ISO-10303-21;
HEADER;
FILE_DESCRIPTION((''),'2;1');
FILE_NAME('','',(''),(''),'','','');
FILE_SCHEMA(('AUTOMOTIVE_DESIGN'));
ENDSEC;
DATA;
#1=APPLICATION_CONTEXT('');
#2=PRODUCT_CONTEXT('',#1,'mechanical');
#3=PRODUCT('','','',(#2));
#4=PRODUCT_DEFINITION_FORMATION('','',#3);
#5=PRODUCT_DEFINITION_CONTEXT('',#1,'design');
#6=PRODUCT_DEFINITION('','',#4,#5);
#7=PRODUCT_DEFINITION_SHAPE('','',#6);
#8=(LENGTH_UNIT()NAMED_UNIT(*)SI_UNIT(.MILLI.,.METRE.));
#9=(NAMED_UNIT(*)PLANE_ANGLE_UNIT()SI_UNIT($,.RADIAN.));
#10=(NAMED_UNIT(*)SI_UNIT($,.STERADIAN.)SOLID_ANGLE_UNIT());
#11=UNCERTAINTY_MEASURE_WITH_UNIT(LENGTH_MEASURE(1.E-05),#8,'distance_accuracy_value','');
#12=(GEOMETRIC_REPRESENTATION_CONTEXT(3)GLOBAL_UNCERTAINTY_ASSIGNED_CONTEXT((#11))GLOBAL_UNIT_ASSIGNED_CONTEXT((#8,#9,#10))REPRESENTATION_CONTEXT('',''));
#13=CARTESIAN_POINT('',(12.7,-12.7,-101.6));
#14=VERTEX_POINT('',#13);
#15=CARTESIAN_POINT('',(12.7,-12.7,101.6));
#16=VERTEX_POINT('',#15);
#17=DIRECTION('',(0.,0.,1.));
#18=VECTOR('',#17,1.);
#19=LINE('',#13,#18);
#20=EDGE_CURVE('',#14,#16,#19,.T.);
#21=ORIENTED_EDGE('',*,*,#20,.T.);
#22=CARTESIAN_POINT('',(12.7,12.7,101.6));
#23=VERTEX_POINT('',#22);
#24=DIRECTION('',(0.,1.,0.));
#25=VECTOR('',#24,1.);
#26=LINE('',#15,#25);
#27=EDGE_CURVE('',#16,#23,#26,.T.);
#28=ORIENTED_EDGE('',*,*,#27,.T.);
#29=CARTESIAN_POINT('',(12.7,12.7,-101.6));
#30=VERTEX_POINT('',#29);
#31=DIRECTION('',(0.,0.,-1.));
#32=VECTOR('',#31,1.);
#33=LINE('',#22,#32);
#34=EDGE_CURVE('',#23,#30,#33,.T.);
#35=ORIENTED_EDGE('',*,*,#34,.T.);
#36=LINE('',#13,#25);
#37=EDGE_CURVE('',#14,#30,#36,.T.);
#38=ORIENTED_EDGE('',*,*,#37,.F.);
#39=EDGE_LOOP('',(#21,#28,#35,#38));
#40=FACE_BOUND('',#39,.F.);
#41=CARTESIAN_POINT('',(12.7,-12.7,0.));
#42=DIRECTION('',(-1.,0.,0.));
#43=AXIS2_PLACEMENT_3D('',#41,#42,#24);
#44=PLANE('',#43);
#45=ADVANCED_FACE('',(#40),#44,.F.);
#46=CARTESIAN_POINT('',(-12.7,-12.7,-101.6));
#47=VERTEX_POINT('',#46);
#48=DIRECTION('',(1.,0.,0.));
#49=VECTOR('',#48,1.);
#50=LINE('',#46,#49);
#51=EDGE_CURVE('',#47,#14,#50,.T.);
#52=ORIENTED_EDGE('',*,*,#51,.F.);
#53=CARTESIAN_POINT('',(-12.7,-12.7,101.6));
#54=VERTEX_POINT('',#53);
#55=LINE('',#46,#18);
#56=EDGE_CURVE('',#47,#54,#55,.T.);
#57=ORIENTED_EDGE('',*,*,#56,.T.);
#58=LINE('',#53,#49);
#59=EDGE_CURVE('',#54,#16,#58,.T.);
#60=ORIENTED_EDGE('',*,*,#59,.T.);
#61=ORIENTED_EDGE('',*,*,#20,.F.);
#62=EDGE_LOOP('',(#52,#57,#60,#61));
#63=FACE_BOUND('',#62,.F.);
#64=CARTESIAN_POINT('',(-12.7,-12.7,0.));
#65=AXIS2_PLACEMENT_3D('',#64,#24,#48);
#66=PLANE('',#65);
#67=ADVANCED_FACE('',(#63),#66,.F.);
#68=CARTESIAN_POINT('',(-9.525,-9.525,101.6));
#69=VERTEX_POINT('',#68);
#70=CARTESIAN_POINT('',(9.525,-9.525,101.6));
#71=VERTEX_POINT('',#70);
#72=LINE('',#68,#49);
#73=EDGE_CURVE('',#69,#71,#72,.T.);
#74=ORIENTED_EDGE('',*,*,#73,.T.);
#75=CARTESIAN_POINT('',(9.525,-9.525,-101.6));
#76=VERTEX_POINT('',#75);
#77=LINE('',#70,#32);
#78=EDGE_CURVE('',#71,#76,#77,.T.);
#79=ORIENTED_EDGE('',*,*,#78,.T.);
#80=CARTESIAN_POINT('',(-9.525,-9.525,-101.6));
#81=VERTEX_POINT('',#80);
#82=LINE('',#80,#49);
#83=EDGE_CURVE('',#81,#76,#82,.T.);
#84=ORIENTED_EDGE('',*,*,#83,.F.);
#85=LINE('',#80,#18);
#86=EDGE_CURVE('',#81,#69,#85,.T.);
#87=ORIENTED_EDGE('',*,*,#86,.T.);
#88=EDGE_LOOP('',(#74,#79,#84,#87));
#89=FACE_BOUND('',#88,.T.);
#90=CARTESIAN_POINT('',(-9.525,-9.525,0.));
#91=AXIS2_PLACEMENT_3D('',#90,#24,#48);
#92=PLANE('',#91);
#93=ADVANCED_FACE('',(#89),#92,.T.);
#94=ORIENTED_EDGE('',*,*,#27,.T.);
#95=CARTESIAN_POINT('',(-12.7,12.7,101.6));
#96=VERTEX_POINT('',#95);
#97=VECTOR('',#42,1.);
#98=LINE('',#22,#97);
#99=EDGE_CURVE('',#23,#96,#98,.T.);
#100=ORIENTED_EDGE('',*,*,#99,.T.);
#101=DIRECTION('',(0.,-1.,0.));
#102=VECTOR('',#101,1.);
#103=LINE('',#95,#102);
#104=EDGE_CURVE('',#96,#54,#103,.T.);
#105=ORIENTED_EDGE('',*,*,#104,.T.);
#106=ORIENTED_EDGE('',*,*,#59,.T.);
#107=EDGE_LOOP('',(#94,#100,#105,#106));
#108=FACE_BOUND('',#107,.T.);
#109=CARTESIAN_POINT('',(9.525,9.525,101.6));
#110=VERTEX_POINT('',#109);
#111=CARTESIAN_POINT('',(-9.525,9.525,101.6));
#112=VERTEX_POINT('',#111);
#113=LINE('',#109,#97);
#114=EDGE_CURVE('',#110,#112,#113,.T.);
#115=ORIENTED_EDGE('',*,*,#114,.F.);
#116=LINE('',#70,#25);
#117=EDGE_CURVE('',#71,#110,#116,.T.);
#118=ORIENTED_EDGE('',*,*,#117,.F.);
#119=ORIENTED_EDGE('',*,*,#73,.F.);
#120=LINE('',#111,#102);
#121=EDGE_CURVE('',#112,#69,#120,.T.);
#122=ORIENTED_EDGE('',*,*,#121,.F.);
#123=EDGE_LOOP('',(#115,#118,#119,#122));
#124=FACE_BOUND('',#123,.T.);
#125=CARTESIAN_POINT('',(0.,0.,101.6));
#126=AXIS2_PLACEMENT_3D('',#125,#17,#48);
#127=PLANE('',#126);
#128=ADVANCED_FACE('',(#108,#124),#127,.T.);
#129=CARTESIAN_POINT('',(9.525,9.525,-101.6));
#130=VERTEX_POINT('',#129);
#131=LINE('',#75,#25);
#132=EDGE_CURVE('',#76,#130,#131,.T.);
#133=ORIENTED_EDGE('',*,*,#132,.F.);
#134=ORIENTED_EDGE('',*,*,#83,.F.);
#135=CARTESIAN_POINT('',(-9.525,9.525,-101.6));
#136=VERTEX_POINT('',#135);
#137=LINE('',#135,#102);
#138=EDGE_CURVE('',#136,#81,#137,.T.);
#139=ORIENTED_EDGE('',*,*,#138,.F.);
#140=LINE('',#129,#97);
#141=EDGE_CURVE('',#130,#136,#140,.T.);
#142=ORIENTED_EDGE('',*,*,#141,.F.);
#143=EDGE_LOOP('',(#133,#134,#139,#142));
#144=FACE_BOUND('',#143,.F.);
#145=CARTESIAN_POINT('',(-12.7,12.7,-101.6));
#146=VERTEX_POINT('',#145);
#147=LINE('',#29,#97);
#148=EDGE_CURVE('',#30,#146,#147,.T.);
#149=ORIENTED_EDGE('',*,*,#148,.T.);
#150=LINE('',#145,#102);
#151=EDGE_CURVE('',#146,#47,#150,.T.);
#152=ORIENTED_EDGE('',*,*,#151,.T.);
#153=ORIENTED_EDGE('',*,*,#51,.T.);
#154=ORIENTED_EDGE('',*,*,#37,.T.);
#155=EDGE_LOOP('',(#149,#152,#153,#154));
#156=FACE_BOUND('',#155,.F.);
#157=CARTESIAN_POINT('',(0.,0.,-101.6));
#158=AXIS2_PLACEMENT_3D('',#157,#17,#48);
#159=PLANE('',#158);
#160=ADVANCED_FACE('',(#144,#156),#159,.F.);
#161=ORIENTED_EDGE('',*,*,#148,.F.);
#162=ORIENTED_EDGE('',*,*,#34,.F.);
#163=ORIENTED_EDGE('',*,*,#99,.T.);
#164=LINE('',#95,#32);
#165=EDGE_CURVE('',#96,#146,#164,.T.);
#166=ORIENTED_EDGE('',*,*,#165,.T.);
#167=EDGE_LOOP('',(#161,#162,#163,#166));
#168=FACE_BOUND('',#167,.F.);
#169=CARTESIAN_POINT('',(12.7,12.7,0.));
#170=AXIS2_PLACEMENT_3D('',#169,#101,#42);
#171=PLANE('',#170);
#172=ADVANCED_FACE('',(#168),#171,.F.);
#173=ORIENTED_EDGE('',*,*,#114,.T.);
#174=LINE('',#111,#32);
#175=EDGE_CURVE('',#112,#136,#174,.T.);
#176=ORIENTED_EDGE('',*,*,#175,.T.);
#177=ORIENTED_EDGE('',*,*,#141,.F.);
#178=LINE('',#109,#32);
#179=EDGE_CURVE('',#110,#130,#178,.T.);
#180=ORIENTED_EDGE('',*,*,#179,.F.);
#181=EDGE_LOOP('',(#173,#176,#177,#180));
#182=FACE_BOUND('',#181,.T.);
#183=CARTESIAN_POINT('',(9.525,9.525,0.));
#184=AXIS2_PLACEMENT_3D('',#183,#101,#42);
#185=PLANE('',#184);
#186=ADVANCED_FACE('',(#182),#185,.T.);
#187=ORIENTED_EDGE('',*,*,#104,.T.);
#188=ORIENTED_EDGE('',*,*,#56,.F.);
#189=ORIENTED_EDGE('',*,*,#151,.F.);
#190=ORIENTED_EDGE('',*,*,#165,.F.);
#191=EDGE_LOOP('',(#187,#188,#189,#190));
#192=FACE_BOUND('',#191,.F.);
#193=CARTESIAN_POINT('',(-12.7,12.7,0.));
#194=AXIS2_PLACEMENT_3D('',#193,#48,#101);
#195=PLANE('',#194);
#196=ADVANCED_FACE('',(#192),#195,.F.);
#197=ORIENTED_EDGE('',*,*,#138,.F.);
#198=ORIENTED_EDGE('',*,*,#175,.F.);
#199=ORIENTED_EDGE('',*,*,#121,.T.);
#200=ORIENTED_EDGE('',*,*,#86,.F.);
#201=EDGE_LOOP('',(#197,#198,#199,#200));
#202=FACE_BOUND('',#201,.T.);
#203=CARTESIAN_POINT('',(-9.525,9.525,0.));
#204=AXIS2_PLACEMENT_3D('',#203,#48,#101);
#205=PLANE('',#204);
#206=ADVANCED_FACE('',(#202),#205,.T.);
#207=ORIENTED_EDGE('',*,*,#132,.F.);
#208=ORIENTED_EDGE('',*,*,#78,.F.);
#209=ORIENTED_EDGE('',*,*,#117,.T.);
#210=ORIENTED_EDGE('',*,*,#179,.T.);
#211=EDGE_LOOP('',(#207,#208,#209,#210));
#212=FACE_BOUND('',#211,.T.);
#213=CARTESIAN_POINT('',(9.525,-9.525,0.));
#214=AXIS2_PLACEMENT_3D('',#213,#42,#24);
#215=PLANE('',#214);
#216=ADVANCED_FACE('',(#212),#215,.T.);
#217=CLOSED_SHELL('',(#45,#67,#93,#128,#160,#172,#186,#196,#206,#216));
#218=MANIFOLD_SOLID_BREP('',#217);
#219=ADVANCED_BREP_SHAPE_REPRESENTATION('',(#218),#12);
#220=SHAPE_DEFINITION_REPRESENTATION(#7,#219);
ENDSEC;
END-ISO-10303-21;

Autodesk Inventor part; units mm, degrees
ref_plane "YZ Plane" through (0, 0, 0) normal (1, 0, 0) x (0, 1, 0)
ref_plane "XZ Plane" through (0, 0, 0) normal (0, 1, 0) x (-1, 0, 0)
ref_plane "XY Plane" through (0, 0, 0) normal (0, 0, 1) x (1, 0, 0)
sketch "Sketch1" plane through (0, 0, 0) normal (0, 0, 1) x (1, 0, 0)
  line L0 (-12.7, -12.7) -> (12.7, -12.7)
  line L1 (12.7, -12.7) -> (12.7, 12.7)
  line L2 (12.7, 12.7) -> (-12.7, 12.7)
  line L3 (-12.7, 12.7) -> (-12.7, -12.7)
  line L4 (-12.7, -12.7) -> (12.7, 12.7) construction
  line L5 (12.7, -12.7) -> (-12.7, 12.7) construction
  line L6 (-9.525, -9.525) -> (9.525, -9.525)
  line L7 (9.525, -9.525) -> (9.525, 9.525)
  line L8 (9.525, 9.525) -> (-9.525, 9.525)
  line L9 (-9.525, 9.525) -> (-9.525, -9.525)
  line L10 (-9.525, -9.525) -> (9.525, 9.525) construction
  line L11 (9.525, -9.525) -> (-9.525, 9.525) construction
  point P0 (0, 0)
  dimension "d0" = 25.4
  dimension "d1" = 25.4
  dimension "d2" = 3.175
extrude "Extrusion1" add sketch "Sketch1" along normal mid plane 203.2
properties part number "Aluminum1x1x8-Support"
